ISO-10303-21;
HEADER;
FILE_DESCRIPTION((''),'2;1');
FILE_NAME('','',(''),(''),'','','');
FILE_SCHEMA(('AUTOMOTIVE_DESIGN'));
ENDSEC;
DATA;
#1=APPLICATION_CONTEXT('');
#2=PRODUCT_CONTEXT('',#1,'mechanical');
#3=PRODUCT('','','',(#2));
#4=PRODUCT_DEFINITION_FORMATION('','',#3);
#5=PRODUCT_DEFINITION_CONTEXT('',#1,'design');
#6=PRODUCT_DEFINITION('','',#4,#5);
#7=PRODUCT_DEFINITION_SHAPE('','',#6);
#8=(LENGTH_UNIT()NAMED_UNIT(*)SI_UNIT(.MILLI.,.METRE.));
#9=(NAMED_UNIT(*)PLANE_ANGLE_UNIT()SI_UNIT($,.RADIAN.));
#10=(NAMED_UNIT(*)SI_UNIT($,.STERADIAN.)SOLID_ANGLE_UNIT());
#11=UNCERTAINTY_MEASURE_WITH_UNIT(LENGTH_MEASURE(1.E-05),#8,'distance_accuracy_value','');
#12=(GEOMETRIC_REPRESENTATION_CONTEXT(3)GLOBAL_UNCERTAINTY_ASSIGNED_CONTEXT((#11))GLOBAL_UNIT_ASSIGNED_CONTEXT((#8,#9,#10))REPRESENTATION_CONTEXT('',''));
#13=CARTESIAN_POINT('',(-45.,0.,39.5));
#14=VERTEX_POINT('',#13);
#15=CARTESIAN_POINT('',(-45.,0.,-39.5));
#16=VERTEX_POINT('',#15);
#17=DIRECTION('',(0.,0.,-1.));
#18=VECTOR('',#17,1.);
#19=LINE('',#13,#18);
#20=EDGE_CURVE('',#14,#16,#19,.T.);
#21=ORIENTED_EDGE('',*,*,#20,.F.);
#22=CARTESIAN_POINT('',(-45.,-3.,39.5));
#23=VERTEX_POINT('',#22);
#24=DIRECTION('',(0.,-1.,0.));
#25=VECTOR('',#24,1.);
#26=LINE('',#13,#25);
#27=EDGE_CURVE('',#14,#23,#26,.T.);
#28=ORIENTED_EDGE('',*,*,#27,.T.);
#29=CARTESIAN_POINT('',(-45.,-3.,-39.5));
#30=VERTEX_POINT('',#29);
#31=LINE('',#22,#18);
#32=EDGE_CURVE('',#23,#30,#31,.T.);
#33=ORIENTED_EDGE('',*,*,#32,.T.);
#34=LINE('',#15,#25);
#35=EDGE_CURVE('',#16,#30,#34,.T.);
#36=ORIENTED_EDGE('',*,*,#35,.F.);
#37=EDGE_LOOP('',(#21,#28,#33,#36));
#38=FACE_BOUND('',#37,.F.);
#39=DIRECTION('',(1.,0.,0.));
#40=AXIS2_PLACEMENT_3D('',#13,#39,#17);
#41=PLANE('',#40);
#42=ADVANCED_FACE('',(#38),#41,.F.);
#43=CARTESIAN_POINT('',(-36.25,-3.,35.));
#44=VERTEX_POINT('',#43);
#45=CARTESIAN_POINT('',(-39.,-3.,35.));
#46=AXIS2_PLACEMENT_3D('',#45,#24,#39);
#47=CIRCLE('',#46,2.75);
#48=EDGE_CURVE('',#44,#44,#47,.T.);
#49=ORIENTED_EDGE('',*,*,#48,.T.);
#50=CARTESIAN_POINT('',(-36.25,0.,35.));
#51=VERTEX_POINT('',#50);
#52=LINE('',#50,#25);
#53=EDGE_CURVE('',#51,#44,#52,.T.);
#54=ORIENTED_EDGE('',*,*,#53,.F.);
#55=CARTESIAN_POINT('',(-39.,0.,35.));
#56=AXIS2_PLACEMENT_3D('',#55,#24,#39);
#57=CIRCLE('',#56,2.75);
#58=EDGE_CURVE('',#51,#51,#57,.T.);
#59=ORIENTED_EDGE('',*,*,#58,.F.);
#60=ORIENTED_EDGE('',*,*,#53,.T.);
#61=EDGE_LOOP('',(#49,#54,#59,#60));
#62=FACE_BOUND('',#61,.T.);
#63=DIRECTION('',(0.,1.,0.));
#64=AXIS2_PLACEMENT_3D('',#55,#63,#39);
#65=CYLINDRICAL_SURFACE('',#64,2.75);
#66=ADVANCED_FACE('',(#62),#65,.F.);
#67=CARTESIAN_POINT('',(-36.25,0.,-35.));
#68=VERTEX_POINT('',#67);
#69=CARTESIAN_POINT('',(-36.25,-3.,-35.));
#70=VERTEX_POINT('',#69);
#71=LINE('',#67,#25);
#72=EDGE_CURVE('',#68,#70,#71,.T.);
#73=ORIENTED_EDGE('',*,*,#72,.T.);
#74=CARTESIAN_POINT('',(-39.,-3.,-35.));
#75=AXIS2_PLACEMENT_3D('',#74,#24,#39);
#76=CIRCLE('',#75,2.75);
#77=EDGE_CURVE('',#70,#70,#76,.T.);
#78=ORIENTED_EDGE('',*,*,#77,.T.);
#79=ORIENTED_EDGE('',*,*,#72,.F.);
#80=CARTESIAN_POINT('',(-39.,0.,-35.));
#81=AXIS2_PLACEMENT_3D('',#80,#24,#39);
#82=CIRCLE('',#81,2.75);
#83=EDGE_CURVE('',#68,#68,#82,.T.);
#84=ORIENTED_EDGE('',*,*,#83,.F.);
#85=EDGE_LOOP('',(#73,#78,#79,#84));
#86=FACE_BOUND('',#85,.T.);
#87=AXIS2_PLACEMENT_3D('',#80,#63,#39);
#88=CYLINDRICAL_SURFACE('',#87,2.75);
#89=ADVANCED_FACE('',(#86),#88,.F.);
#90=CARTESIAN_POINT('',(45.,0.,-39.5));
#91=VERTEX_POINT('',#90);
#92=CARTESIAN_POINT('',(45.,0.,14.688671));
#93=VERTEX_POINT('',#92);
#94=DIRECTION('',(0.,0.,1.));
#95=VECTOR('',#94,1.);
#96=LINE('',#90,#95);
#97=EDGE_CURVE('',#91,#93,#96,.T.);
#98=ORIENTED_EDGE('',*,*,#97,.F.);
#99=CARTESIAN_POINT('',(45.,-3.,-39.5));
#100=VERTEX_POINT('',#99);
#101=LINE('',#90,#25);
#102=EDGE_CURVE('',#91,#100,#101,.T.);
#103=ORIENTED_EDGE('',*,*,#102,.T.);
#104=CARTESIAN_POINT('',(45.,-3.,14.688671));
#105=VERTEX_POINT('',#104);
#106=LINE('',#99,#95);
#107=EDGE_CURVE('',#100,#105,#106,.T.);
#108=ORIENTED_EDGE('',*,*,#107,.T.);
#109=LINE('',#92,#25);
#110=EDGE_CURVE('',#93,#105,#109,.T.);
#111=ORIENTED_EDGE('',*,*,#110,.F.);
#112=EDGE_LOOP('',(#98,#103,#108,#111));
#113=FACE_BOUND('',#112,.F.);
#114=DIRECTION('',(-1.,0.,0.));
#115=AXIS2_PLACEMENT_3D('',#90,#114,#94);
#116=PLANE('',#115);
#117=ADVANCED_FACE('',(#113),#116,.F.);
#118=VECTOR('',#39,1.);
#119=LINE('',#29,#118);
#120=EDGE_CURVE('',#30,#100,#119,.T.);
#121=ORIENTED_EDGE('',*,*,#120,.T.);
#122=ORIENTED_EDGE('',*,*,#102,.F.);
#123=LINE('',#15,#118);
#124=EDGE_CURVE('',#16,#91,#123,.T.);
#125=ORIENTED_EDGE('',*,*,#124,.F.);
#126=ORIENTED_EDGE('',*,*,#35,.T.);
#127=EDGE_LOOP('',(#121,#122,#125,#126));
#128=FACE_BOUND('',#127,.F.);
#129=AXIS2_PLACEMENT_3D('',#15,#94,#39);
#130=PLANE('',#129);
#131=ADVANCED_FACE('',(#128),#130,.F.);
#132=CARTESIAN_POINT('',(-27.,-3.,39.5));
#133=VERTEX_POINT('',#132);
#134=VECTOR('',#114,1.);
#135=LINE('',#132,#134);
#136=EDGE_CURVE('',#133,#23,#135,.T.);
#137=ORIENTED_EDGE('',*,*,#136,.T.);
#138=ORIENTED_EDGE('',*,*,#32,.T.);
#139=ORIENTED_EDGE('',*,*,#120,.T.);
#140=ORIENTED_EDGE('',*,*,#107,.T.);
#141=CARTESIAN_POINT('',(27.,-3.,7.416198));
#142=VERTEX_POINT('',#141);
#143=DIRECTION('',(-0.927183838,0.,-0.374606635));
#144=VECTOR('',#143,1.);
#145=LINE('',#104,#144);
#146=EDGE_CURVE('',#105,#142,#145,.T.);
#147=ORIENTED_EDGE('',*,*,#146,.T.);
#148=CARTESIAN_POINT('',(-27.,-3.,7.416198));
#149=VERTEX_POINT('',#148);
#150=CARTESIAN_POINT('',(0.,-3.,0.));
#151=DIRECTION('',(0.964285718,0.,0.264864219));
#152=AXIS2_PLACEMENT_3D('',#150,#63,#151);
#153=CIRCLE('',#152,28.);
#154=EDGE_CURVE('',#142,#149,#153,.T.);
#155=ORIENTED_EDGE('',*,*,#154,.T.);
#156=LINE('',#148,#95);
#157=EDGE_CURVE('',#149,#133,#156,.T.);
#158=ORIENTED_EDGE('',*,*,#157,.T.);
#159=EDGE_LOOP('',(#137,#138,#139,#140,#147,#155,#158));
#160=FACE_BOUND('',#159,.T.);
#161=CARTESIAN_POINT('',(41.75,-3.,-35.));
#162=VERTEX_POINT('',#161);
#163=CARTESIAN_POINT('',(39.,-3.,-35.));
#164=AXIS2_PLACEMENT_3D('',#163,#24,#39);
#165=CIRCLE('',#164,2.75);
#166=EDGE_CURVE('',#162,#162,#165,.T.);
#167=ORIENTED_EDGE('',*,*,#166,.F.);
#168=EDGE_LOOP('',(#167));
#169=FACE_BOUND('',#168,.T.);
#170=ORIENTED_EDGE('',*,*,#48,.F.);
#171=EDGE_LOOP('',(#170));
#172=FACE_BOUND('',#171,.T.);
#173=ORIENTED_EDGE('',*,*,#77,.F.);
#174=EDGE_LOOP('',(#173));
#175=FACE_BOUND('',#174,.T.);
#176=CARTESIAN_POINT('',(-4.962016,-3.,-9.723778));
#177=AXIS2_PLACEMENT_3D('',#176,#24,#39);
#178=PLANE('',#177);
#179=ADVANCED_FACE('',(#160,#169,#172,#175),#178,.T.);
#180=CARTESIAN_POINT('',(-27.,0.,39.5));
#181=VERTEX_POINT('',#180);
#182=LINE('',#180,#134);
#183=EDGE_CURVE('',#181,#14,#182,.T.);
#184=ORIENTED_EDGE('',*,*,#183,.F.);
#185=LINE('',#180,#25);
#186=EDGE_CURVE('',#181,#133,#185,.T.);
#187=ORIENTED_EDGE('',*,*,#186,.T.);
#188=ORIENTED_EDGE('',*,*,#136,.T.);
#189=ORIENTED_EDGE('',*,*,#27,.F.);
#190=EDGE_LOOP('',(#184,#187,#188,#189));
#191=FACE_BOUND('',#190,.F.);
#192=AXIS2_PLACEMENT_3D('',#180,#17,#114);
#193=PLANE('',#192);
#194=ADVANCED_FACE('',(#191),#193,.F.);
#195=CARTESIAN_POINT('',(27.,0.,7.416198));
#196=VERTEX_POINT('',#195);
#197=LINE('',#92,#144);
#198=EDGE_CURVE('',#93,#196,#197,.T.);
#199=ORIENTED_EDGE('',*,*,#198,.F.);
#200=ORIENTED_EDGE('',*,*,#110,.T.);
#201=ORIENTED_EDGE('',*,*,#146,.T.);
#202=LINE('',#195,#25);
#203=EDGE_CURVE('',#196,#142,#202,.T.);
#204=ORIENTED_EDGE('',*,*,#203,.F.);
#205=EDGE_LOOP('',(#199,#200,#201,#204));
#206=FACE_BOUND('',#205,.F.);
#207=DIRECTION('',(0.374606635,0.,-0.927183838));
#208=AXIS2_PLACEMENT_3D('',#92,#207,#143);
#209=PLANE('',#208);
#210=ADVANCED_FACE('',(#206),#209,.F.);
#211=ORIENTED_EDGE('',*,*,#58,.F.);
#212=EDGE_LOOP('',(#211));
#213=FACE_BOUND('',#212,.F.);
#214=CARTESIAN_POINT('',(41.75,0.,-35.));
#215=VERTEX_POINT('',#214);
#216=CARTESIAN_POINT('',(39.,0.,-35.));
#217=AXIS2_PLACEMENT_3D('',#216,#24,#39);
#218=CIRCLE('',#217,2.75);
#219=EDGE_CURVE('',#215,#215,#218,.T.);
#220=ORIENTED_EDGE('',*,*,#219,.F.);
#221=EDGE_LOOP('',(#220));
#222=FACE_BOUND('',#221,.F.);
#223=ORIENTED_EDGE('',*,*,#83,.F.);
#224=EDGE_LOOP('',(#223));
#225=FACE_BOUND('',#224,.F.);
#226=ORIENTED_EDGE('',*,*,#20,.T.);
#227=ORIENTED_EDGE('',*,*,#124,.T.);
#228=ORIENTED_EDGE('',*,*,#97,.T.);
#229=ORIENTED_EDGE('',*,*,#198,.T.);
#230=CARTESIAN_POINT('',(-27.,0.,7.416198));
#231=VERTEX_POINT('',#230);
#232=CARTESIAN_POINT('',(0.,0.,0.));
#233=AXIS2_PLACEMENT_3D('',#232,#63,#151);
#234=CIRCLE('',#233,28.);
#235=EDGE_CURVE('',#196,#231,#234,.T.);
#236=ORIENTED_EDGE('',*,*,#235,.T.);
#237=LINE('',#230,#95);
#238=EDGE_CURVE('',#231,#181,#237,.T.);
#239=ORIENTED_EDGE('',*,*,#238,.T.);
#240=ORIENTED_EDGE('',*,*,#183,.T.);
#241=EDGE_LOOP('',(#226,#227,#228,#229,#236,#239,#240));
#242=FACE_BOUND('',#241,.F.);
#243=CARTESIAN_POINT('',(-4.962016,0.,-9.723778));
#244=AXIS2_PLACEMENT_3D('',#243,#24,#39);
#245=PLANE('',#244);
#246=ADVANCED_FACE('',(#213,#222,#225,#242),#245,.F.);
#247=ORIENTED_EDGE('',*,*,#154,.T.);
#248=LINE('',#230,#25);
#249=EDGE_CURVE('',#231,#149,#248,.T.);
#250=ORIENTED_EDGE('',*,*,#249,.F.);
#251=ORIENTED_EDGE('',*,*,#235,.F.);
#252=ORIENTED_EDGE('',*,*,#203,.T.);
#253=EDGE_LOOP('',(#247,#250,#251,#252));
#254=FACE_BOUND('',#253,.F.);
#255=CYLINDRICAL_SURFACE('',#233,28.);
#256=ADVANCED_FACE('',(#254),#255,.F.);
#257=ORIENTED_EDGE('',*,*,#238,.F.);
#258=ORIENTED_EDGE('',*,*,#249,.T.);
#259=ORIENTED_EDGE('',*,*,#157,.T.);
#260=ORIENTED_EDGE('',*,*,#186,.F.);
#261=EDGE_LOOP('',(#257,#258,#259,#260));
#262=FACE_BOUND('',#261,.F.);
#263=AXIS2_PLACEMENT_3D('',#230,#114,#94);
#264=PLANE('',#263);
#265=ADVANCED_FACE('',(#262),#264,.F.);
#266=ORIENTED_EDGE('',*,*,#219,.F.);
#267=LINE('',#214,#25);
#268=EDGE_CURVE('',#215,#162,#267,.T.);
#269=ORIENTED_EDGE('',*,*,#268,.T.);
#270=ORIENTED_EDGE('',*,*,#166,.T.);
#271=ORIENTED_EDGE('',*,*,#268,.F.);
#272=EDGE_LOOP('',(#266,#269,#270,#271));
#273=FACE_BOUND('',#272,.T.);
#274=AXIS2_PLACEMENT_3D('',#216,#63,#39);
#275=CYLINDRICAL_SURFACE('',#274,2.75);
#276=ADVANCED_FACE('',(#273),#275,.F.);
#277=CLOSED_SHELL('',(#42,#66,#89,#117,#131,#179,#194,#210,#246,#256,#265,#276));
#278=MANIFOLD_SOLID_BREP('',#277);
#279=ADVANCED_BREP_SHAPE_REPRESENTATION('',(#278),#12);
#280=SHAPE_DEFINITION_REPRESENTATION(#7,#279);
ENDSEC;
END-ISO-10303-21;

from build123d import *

# Parameters (mm, degrees)
F0_R     = 2.75
F1_DEPTH = 3


with BuildPart() as f1:
    # F0 (on Front) → F1 (new body)
    with BuildSketch(Plane.XZ):
        with BuildLine():
            Line((-27, 39.5), (-45, 39.5))
            Line((-45, 39.5), (-45, -39.5))
            Line((-45, -39.5), (45, -39.5))
            Line((45, -39.5), (45, 14.688671))
            Line((45, 14.688671), (27, 7.416198))
            ThreePointArc((27, 7.416198), (0, -28), (-27, 7.416198))
            Line((-27, 7.416198), (-27, 39.5))
        make_face()
        with Locations((-39, -35)):
            Circle(F0_R, mode=Mode.SUBTRACT)
        with Locations((39, -35)):
            Circle(F0_R, mode=Mode.SUBTRACT)
        with Locations((-39, 35)):
            Circle(F0_R, mode=Mode.SUBTRACT)
    extrude(amount=F1_DEPTH)


solid = f1.part
